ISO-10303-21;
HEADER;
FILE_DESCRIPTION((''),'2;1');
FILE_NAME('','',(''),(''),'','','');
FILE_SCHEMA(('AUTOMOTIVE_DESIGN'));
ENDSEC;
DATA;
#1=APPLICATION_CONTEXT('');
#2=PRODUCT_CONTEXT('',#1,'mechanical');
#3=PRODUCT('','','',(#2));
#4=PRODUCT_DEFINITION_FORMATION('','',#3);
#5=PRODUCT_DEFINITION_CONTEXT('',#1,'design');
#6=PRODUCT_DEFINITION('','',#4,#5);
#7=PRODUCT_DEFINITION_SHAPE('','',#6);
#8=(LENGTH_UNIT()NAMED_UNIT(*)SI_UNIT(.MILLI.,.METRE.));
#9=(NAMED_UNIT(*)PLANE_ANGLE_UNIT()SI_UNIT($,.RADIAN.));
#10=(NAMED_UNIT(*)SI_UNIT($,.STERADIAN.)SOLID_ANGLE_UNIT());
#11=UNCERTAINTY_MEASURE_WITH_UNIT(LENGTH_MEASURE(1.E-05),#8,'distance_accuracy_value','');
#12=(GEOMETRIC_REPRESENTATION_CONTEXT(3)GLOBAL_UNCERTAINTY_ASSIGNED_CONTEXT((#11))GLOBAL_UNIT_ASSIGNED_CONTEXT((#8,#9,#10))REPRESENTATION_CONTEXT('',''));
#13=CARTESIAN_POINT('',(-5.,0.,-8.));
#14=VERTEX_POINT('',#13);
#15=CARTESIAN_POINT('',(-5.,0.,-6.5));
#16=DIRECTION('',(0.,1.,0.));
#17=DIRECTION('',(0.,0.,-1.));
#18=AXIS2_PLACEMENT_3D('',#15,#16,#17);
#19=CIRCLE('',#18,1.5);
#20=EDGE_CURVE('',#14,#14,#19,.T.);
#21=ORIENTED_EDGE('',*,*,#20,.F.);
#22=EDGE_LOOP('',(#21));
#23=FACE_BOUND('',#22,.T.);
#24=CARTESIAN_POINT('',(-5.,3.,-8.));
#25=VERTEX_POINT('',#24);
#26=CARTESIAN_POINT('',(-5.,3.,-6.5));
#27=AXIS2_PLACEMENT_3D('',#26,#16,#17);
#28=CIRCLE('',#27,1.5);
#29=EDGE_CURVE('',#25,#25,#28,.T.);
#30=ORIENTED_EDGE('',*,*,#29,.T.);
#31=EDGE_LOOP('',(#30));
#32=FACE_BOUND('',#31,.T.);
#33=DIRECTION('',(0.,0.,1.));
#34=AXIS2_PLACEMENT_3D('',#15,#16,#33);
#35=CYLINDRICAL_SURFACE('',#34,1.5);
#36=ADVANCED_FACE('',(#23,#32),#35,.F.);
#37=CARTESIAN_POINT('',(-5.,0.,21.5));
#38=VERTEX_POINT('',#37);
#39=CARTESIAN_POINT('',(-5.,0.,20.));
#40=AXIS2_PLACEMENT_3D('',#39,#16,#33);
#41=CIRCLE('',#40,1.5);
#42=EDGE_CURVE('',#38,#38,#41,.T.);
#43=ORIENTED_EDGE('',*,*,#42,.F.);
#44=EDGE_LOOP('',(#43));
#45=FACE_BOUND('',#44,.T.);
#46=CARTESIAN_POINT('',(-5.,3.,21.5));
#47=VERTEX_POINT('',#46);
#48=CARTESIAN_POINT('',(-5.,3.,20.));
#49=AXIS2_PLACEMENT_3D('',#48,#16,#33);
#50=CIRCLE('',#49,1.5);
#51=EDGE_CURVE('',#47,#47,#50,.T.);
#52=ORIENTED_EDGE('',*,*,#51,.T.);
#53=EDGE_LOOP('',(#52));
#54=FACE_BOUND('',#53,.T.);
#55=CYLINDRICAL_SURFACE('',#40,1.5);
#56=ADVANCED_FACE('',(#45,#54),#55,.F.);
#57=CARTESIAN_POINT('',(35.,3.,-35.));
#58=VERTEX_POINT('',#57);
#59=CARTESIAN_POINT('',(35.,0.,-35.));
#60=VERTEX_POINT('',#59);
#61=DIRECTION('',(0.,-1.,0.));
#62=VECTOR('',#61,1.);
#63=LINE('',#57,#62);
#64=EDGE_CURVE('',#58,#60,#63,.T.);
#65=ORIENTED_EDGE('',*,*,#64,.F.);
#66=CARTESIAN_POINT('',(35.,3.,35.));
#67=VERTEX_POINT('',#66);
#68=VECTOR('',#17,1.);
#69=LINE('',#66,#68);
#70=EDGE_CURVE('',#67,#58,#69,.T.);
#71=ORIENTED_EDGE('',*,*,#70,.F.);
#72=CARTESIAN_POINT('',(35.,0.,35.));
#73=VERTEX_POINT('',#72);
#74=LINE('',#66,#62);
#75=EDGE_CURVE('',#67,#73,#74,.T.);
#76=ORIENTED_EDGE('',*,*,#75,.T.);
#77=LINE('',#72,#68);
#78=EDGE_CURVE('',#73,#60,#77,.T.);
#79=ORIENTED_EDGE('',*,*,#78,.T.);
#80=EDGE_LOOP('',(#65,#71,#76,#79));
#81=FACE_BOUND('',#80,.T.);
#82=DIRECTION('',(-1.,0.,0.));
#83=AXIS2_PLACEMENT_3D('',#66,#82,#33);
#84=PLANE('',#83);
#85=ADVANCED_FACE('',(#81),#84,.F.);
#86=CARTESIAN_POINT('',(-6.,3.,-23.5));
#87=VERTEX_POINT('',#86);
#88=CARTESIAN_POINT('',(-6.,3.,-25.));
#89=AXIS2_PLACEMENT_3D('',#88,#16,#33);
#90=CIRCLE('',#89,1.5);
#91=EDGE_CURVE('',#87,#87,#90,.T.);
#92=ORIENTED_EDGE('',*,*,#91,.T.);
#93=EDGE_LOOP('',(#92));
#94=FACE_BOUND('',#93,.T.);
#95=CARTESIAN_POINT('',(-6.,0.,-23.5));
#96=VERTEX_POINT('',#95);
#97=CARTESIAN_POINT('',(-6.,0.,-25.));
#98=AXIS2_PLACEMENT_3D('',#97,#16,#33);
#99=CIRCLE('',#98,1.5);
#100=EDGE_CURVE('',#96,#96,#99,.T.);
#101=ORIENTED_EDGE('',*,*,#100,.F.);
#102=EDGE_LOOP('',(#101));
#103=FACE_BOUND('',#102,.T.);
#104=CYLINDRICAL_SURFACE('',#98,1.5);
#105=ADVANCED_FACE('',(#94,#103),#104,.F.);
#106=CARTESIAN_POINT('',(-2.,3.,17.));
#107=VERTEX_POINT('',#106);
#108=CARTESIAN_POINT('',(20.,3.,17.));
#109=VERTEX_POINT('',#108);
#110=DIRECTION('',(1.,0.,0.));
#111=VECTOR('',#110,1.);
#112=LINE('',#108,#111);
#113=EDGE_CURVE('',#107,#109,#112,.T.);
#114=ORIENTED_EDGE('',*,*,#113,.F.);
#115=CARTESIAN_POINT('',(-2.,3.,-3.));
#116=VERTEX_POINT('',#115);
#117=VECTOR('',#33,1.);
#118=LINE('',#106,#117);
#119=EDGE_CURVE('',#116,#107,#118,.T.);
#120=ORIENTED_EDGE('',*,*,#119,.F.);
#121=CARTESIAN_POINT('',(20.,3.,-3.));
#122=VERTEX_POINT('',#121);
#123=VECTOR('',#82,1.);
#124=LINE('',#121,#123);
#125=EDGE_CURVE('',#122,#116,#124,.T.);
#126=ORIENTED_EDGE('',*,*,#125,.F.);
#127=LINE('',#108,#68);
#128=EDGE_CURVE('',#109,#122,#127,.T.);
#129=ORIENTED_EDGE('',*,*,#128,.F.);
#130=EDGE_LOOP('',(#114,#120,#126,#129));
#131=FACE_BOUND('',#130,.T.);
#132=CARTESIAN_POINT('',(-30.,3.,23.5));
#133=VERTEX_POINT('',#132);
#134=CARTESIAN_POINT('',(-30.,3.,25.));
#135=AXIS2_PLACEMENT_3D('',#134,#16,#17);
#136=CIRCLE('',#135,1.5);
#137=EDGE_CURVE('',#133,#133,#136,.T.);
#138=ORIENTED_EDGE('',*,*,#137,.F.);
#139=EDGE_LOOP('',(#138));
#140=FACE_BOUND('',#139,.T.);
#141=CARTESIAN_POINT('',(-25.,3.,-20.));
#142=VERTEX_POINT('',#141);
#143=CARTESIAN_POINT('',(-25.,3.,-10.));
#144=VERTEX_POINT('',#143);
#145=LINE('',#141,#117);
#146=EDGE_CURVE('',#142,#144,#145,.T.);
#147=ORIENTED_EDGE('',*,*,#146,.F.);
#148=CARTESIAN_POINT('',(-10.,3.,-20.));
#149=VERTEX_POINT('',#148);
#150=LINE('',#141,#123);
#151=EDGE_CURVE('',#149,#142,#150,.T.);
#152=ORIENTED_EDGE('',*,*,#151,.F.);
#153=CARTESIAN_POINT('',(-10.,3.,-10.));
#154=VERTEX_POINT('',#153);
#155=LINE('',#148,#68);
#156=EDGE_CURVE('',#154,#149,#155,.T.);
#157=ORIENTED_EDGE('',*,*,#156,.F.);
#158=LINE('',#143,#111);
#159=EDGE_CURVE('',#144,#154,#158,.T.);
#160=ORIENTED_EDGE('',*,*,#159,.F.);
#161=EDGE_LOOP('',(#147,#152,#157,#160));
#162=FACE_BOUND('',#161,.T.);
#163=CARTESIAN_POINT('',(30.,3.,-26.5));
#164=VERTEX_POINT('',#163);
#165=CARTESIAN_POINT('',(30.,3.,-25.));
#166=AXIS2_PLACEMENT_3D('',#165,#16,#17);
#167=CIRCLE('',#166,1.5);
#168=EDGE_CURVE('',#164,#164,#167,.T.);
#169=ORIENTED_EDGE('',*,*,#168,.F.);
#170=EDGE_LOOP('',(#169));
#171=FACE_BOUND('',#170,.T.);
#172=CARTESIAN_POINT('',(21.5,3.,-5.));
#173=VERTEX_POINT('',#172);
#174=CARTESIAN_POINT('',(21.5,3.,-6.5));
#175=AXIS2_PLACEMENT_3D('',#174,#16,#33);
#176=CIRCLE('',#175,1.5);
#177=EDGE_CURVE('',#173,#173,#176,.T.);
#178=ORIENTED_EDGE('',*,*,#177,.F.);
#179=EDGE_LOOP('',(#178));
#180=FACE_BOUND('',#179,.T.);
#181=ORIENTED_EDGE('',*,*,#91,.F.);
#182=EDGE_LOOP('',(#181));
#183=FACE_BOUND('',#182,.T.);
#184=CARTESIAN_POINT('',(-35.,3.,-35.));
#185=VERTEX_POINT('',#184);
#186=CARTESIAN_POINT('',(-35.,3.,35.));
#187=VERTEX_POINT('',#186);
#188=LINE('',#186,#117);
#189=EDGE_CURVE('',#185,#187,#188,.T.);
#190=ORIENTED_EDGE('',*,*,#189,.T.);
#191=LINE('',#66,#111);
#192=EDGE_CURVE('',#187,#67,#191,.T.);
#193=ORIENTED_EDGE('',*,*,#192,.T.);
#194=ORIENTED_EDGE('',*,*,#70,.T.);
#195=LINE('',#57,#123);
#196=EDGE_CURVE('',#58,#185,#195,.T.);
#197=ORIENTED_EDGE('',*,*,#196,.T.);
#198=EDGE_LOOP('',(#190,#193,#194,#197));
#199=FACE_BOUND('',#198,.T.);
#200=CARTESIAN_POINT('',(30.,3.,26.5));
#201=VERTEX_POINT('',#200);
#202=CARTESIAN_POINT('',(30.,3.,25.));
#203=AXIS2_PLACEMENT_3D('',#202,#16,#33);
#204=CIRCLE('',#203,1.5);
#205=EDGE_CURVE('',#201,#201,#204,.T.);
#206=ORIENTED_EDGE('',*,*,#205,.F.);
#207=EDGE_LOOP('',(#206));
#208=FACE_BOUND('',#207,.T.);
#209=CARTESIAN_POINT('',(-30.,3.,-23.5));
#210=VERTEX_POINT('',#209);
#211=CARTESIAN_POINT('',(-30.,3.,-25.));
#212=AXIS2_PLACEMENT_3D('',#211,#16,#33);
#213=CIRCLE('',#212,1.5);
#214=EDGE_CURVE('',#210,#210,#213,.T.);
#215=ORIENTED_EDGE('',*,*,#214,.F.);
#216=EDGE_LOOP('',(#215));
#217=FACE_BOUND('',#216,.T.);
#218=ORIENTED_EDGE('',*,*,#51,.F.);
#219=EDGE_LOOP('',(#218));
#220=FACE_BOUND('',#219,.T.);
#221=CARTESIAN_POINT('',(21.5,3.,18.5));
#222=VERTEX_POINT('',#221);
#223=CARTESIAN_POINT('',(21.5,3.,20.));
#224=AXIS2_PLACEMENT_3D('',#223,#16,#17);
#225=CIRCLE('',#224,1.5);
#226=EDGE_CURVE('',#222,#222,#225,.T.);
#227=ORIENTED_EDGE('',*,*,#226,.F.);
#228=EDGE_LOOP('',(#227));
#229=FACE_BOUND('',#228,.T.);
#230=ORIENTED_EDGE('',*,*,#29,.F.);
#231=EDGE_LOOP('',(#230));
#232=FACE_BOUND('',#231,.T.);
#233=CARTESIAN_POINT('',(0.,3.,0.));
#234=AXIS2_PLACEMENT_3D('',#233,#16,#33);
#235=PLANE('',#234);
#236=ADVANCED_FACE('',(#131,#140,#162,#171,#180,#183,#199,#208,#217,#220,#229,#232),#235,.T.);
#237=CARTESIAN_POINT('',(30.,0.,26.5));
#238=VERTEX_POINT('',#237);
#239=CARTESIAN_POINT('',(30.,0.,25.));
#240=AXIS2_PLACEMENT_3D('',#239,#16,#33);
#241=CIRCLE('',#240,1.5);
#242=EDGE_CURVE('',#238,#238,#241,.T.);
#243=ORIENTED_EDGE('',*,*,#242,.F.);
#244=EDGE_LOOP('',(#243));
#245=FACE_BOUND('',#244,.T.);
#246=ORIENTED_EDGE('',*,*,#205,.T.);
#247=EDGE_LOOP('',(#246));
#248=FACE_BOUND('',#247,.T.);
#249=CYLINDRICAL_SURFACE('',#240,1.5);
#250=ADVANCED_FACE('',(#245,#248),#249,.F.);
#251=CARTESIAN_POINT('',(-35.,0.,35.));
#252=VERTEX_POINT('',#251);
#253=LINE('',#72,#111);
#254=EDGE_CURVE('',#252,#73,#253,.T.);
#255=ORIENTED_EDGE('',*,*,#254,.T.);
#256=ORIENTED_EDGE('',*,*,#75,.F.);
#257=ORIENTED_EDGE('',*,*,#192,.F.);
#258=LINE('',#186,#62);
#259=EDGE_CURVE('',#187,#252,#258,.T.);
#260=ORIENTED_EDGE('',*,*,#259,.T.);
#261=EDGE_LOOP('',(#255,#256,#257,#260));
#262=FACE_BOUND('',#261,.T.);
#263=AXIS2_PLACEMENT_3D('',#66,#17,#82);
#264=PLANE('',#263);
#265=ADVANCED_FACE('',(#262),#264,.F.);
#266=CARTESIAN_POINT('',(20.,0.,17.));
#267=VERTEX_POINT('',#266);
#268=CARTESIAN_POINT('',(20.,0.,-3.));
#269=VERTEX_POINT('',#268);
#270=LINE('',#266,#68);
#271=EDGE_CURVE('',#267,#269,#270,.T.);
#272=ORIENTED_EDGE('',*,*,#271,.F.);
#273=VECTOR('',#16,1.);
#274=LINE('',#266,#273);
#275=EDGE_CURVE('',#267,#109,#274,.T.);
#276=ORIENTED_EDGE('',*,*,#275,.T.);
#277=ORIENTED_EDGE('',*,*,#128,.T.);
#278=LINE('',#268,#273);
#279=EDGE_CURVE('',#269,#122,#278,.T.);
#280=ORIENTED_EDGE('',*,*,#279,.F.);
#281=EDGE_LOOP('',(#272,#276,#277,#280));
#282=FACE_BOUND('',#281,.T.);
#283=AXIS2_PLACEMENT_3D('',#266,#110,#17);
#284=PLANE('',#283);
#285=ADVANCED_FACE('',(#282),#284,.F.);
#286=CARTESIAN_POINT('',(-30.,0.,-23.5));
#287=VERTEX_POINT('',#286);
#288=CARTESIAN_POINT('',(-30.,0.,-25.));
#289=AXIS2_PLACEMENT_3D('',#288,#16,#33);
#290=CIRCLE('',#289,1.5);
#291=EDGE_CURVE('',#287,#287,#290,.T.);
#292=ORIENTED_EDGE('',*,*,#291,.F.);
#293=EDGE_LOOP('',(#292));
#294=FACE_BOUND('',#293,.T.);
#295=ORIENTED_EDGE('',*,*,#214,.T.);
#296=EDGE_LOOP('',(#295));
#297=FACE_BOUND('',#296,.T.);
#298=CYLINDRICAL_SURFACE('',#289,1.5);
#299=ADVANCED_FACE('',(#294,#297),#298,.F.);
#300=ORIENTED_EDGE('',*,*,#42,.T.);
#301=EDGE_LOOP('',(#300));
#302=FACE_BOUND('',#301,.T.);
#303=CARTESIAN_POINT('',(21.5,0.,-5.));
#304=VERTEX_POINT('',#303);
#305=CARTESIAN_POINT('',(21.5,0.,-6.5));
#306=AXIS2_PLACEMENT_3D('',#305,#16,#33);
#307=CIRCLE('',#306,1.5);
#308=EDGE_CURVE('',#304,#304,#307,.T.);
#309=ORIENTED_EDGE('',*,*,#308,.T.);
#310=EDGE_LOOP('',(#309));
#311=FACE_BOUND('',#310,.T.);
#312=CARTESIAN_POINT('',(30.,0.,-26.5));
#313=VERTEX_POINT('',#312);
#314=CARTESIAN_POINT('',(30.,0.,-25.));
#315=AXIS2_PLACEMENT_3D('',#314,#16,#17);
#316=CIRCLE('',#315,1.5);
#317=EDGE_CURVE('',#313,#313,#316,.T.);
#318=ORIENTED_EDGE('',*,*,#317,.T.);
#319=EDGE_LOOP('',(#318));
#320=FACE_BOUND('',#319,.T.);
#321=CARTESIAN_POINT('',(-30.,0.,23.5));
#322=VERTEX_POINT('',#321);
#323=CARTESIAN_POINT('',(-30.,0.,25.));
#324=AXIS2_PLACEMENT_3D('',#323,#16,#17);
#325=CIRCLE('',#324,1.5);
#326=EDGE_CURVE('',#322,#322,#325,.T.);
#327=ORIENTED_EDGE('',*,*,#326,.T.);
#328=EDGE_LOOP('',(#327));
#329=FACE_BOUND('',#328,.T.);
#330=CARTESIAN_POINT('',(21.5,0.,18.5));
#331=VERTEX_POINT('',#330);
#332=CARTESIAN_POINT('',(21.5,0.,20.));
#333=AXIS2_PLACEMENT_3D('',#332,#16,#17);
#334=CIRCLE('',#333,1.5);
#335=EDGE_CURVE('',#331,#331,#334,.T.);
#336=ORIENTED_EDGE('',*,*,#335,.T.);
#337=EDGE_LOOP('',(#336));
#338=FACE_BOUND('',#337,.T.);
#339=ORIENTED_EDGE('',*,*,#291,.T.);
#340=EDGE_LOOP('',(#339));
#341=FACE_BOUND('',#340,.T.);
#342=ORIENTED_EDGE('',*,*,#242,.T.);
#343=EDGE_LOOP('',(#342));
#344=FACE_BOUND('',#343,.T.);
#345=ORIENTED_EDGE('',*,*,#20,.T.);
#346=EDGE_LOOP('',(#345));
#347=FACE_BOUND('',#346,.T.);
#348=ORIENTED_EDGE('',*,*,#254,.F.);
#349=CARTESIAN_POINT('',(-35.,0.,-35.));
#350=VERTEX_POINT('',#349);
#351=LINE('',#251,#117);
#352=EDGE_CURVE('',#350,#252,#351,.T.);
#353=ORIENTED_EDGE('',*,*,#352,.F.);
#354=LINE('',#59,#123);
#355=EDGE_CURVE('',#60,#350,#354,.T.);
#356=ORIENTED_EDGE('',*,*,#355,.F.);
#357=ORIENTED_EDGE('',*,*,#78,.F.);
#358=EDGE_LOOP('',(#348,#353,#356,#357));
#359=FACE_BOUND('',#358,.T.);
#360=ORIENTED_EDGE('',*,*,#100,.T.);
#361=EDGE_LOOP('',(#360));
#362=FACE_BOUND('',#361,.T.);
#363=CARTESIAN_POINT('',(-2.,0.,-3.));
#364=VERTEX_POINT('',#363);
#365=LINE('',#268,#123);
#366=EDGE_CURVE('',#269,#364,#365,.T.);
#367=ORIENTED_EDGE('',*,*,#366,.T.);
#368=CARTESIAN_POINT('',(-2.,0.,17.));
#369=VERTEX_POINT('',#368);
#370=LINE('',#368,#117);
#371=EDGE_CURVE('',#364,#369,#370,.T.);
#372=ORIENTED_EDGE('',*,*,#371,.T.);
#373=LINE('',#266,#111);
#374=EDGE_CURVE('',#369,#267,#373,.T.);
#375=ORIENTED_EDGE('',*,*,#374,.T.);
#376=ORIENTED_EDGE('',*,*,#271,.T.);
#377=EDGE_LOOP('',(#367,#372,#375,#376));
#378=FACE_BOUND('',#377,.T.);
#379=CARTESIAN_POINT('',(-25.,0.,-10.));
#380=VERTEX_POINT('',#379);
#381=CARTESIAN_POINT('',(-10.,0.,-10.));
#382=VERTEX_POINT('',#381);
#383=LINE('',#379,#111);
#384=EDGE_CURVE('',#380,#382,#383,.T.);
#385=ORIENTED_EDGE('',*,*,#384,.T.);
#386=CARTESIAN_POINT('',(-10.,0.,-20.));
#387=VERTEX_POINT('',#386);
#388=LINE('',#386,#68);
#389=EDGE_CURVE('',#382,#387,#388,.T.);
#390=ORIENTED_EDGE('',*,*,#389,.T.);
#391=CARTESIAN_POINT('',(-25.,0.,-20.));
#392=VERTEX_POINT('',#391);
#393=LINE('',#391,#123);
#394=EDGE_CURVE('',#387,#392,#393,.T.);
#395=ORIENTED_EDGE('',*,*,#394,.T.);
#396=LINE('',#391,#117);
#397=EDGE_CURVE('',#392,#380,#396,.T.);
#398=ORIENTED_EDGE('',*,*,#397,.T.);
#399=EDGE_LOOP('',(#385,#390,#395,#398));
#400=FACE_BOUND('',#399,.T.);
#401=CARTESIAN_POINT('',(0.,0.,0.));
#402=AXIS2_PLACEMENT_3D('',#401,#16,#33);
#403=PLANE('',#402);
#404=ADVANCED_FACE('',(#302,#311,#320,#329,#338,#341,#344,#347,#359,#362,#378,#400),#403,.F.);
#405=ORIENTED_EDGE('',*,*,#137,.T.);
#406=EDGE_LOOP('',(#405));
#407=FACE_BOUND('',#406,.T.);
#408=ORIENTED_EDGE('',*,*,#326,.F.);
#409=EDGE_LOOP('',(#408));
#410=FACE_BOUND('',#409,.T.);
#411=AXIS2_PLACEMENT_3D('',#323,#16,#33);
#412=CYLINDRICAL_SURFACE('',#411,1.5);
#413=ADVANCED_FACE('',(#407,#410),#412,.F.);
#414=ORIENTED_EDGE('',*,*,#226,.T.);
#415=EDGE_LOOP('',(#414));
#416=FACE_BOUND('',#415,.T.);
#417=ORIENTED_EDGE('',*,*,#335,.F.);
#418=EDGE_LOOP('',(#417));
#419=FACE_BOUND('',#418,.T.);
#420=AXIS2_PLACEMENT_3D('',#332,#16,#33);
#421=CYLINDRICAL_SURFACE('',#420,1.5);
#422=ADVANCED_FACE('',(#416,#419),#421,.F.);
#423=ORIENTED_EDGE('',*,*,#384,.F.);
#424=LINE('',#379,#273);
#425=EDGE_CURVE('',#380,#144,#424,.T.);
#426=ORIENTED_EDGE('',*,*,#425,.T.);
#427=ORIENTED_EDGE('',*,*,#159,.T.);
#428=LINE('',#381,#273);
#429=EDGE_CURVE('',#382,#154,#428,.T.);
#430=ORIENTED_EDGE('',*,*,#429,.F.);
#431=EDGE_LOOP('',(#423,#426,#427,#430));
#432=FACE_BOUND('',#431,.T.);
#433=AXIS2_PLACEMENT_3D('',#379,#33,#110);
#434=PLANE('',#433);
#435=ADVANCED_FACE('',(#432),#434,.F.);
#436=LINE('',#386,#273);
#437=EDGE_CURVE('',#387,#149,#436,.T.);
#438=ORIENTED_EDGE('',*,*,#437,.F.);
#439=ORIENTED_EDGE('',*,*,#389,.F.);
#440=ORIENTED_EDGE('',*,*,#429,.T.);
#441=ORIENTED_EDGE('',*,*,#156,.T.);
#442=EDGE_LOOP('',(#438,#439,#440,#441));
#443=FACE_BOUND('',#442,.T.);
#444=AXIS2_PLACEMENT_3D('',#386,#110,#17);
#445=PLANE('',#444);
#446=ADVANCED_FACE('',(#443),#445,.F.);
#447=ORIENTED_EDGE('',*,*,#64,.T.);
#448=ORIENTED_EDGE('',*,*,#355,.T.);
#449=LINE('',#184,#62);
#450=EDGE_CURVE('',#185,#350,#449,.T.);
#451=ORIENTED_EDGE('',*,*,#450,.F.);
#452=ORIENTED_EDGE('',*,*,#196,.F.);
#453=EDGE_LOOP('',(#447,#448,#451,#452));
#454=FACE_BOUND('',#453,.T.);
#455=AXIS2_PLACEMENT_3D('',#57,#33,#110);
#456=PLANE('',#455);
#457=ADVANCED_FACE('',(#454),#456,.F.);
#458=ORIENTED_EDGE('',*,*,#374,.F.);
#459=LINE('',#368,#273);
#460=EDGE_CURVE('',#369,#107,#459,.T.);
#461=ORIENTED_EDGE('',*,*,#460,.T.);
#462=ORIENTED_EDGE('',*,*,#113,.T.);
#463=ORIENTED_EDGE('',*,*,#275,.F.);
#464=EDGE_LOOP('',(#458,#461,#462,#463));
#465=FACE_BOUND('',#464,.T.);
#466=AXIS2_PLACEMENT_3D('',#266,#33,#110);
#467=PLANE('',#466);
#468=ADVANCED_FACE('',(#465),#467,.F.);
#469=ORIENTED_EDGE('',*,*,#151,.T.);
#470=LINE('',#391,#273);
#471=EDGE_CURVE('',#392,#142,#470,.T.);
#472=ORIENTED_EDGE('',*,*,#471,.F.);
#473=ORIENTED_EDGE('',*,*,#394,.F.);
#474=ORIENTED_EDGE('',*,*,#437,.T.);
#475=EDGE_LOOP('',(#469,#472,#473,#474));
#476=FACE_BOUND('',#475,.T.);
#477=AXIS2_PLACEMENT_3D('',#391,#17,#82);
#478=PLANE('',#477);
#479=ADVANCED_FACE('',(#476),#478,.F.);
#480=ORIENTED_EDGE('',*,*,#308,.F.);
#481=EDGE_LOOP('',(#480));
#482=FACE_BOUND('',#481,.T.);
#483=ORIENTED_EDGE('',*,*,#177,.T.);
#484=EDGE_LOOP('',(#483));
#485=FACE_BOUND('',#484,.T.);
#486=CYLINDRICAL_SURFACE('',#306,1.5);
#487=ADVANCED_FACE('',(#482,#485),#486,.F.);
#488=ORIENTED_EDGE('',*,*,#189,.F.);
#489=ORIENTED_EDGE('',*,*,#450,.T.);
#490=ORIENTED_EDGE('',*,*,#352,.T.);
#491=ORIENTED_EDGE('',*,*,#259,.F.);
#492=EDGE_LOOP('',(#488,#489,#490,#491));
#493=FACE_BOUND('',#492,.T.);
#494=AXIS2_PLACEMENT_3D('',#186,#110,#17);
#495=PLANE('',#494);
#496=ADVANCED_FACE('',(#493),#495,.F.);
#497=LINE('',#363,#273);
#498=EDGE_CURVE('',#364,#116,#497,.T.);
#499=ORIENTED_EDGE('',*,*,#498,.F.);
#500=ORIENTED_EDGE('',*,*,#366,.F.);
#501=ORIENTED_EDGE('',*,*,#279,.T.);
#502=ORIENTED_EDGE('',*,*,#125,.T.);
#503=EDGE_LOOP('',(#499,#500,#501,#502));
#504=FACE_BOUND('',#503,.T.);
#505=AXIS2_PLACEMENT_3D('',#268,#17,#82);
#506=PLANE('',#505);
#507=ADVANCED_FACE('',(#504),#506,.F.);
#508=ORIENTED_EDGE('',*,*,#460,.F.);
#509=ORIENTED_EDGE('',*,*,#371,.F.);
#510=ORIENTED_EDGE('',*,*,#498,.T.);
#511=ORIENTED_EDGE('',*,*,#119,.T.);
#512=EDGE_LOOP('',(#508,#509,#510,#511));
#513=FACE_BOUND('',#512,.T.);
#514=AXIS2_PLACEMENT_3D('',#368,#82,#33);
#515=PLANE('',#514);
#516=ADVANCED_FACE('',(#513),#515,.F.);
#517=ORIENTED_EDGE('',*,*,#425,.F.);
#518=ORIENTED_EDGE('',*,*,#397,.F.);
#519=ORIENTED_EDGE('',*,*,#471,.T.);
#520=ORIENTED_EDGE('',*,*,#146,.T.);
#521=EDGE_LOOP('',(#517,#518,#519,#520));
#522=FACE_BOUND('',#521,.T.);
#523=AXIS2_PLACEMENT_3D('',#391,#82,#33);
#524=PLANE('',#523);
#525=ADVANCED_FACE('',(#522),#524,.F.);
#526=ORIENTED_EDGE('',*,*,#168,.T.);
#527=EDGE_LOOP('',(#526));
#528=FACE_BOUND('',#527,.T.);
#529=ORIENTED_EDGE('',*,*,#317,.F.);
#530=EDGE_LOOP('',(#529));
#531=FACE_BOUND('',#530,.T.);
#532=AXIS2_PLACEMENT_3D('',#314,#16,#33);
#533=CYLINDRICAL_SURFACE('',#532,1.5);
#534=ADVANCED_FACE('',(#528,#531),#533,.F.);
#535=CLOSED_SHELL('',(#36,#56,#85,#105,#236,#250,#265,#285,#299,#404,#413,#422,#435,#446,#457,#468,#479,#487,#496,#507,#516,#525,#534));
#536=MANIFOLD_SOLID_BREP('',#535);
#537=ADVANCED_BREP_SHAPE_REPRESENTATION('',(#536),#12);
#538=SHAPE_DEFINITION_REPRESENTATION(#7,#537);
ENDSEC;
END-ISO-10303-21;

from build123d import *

# Parameters (mm, degrees)
SKETCH1_W           = 70
SKETCH1_H           = 70
BOSS_EXTRUDE1_DEPTH = 3
SKETCH2_R           = 1.5
CUT_EXTRUDE1_DEPTH  = 3
SKETCH3_R           = 1.5
SKETCH3_W           = 15
SKETCH3_H           = 10
SKETCH3_W_2         = 22
SKETCH3_H_2         = 20
CUT_EXTRUDE2_DEPTH  = 3


with BuildPart() as part:
    # Sketch1 → Boss-Extrude1 (new body)
    with BuildSketch(Plane(origin=(0, 0, 0), x_dir=(1, 0, 0), z_dir=(0, 1, 0))):
        Rectangle(SKETCH1_W, SKETCH1_H)
    extrude(amount=BOSS_EXTRUDE1_DEPTH)

    # Sketch2 → Cut-Extrude1 (cut)
    with BuildSketch(Plane(origin=(0, 3, 0), x_dir=(1, 0, 0), z_dir=(0, 1, 0))):
        with Locations(Location((-30, 25, 0), (0, 0, 270))):
            Circle(SKETCH2_R)
        with Locations(Location((30, 25, 0), (0, 0, 90))):
            Circle(SKETCH2_R)
        with Locations(Location((30, -25, 0), (0, 0, 270))):
            Circle(SKETCH2_R)
        with Locations(Location((-30, -25, 0), (0, 0, 90))):
            Circle(SKETCH2_R)
    extrude(amount=-CUT_EXTRUDE1_DEPTH, mode=Mode.SUBTRACT)

    # Sketch3 → Cut-Extrude2 (cut)
    with BuildSketch(Plane(origin=(0, 3, 0), x_dir=(1, 0, 0), z_dir=(0, 1, 0))):
        with Locations(Location((21.5, 6.5, 0), (0, 0, 270))):
            Circle(SKETCH3_R)
        with Locations(Location((21.5, -20, 0), (0, 0, 90))):
            Circle(SKETCH3_R)
        with Locations(Location((-5, -20, 0), (0, 0, 270))):
            Circle(SKETCH3_R)
        with Locations(Location((-6, 25, 0), (0, 0, 270))):
            Circle(SKETCH3_R)
        with Locations(Location((-5, 6.5, 0), (0, 0, 90))):
            Circle(SKETCH3_R)
        with Locations((-17.5, 15)):
            Rectangle(SKETCH3_W, SKETCH3_H)
        with Locations((9, -7)):
            Rectangle(SKETCH3_W_2, SKETCH3_H_2)
    extrude(amount=-CUT_EXTRUDE2_DEPTH, mode=Mode.SUBTRACT)


solid = part.part
